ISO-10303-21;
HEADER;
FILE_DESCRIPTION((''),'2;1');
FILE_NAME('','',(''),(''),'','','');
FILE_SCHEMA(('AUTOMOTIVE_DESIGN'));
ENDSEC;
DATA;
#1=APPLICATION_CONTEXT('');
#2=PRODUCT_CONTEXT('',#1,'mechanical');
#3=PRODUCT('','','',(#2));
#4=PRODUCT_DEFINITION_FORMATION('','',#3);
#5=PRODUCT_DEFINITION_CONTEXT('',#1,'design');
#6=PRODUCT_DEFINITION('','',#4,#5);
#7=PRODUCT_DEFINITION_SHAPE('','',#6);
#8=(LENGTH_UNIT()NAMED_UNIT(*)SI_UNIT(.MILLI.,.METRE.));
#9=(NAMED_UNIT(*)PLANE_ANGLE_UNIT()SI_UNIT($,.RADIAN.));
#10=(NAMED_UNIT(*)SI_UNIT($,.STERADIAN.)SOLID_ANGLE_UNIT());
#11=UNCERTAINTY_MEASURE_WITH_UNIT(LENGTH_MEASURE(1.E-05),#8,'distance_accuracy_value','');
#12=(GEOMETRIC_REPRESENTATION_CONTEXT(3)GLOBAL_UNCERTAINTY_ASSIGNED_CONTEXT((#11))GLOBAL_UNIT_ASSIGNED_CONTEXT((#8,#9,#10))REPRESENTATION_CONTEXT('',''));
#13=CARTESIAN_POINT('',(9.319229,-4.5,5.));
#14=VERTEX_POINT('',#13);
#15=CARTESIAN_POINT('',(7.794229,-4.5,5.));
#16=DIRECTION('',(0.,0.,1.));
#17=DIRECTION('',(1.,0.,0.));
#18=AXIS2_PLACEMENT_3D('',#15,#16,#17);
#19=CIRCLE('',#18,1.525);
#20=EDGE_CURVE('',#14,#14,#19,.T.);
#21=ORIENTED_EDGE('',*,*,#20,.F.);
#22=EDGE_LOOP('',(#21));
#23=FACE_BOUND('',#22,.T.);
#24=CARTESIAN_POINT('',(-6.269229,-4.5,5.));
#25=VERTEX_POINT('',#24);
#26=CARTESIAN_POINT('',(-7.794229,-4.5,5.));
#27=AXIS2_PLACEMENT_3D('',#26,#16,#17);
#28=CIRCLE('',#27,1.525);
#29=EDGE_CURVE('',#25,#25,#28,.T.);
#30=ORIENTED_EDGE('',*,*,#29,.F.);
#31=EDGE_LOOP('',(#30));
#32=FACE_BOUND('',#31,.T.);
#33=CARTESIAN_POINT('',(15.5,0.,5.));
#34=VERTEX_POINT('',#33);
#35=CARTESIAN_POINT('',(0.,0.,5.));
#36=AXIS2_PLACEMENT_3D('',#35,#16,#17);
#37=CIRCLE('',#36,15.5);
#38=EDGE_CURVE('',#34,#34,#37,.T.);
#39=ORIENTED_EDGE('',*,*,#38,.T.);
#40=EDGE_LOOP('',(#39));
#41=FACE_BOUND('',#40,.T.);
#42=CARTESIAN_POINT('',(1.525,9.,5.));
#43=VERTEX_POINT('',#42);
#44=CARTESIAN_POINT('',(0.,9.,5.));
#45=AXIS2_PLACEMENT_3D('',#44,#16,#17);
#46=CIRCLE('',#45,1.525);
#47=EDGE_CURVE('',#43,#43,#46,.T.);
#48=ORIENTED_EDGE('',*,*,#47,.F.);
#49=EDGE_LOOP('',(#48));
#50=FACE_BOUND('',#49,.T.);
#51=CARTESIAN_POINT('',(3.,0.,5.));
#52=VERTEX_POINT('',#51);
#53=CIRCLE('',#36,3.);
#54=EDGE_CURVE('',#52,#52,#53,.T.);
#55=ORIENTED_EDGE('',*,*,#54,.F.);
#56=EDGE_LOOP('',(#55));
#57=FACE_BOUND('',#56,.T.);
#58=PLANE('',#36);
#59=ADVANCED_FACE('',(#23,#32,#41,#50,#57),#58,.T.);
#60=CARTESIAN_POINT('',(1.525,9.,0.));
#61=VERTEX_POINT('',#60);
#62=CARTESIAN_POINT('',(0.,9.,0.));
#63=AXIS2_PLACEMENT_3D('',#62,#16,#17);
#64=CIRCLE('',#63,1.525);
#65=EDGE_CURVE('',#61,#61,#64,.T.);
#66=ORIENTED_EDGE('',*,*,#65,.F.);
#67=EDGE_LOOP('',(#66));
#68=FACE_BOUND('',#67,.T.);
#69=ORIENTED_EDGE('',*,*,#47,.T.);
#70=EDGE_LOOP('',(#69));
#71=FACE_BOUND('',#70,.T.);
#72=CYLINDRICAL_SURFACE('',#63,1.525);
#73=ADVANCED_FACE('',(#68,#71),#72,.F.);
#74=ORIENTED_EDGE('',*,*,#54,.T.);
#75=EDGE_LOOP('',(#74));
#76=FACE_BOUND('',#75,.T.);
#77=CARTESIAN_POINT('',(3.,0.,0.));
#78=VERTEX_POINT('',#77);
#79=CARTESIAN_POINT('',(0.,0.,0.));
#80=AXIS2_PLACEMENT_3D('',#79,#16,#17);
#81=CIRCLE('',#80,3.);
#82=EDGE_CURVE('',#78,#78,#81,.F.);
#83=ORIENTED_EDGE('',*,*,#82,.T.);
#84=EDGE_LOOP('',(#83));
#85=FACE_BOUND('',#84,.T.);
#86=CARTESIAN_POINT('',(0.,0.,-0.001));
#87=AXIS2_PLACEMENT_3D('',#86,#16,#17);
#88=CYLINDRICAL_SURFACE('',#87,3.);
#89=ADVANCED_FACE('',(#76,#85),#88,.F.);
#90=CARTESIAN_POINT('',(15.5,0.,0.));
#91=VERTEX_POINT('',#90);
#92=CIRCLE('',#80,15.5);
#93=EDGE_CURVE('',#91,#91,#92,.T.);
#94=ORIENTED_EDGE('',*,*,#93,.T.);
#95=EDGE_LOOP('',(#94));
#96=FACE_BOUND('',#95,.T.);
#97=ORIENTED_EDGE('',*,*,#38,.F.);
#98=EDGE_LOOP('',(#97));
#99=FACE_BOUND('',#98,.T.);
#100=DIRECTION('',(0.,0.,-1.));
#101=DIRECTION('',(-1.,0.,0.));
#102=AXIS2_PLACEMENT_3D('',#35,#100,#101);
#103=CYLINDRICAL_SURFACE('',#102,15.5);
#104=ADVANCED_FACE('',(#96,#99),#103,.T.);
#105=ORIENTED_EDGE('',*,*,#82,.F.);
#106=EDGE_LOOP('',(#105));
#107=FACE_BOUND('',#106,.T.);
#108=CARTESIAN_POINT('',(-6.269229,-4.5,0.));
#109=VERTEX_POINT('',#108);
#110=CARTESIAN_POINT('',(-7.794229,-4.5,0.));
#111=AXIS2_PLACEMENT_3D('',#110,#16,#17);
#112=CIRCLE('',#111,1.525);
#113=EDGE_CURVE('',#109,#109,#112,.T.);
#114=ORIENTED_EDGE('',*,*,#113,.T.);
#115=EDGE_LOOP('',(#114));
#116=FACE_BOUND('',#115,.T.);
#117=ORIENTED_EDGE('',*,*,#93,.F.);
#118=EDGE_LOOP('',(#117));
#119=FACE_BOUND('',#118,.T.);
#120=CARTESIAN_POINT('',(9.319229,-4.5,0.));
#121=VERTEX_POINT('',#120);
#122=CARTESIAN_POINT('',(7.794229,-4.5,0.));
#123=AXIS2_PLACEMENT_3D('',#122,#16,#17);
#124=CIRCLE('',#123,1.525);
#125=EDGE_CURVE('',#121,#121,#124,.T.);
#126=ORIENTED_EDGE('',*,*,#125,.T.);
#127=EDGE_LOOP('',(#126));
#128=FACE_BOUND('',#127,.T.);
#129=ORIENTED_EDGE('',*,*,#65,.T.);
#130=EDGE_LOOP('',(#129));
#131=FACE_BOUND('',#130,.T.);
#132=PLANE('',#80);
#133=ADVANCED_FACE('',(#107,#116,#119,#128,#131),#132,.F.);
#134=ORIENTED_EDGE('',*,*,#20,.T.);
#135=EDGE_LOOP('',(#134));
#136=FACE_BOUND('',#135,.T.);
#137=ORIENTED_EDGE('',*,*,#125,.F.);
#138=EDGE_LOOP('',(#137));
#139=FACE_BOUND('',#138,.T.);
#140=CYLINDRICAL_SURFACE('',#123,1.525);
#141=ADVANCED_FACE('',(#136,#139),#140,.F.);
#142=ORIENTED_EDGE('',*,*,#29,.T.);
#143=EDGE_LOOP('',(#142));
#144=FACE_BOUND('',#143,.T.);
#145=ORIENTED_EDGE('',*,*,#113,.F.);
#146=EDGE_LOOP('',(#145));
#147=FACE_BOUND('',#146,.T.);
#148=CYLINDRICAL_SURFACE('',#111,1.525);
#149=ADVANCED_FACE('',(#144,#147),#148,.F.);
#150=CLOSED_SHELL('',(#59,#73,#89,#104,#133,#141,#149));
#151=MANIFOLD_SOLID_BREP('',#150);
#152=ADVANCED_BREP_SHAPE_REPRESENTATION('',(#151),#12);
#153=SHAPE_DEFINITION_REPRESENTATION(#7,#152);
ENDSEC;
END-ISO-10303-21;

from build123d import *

# Parameters (mm, degrees)
SKETCH1_R               = 15.5
BOSS_EXTRUDE1_DEPTH     = 5
CUT_EXTRUDE1_REACH      = 24.483
SKETCH2_R               = 3
CUT_EXTRUDE2_DEPTH      = 23.483327156
CUT_EXTRUDE2_DEPTH_BACK = 23.483327156
SKETCH3_R               = 1.525


with BuildPart() as part:
    # Sketch1 → Boss-Extrude1 (new body)
    with BuildSketch(Plane.XY):
        Circle(SKETCH1_R)
    extrude(amount=BOSS_EXTRUDE1_DEPTH)

    # Sketch2 → Cut-Extrude1 (cut, up to next)
    with BuildSketch(Plane.XY.offset(5), mode=Mode.PRIVATE) as cut_extrude1_sk1:
        Circle(SKETCH2_R)
    cut_extrude1_tool1 = extrude(cut_extrude1_sk1.sketch, amount=-CUT_EXTRUDE1_REACH, mode=Mode.PRIVATE) & part.part
    add(cut_extrude1_tool1.solids().sort_by_distance((0, 0, 5))[0], mode=Mode.SUBTRACT)

    # Sketch3 → Cut-Extrude2 (cut, two sides: drawn at the far end of the back side and taken through both)
    with BuildSketch(Plane.XY.offset(5).offset(-CUT_EXTRUDE2_DEPTH_BACK)):
        with Locations((0, 9)):
            Circle(SKETCH3_R)
        with Locations((7.794228634, -4.5)):
            Circle(SKETCH3_R)
        with Locations((-7.794228634, -4.5)):
            Circle(SKETCH3_R)
    extrude(amount=CUT_EXTRUDE2_DEPTH + CUT_EXTRUDE2_DEPTH_BACK, mode=Mode.SUBTRACT)


solid = part.part
